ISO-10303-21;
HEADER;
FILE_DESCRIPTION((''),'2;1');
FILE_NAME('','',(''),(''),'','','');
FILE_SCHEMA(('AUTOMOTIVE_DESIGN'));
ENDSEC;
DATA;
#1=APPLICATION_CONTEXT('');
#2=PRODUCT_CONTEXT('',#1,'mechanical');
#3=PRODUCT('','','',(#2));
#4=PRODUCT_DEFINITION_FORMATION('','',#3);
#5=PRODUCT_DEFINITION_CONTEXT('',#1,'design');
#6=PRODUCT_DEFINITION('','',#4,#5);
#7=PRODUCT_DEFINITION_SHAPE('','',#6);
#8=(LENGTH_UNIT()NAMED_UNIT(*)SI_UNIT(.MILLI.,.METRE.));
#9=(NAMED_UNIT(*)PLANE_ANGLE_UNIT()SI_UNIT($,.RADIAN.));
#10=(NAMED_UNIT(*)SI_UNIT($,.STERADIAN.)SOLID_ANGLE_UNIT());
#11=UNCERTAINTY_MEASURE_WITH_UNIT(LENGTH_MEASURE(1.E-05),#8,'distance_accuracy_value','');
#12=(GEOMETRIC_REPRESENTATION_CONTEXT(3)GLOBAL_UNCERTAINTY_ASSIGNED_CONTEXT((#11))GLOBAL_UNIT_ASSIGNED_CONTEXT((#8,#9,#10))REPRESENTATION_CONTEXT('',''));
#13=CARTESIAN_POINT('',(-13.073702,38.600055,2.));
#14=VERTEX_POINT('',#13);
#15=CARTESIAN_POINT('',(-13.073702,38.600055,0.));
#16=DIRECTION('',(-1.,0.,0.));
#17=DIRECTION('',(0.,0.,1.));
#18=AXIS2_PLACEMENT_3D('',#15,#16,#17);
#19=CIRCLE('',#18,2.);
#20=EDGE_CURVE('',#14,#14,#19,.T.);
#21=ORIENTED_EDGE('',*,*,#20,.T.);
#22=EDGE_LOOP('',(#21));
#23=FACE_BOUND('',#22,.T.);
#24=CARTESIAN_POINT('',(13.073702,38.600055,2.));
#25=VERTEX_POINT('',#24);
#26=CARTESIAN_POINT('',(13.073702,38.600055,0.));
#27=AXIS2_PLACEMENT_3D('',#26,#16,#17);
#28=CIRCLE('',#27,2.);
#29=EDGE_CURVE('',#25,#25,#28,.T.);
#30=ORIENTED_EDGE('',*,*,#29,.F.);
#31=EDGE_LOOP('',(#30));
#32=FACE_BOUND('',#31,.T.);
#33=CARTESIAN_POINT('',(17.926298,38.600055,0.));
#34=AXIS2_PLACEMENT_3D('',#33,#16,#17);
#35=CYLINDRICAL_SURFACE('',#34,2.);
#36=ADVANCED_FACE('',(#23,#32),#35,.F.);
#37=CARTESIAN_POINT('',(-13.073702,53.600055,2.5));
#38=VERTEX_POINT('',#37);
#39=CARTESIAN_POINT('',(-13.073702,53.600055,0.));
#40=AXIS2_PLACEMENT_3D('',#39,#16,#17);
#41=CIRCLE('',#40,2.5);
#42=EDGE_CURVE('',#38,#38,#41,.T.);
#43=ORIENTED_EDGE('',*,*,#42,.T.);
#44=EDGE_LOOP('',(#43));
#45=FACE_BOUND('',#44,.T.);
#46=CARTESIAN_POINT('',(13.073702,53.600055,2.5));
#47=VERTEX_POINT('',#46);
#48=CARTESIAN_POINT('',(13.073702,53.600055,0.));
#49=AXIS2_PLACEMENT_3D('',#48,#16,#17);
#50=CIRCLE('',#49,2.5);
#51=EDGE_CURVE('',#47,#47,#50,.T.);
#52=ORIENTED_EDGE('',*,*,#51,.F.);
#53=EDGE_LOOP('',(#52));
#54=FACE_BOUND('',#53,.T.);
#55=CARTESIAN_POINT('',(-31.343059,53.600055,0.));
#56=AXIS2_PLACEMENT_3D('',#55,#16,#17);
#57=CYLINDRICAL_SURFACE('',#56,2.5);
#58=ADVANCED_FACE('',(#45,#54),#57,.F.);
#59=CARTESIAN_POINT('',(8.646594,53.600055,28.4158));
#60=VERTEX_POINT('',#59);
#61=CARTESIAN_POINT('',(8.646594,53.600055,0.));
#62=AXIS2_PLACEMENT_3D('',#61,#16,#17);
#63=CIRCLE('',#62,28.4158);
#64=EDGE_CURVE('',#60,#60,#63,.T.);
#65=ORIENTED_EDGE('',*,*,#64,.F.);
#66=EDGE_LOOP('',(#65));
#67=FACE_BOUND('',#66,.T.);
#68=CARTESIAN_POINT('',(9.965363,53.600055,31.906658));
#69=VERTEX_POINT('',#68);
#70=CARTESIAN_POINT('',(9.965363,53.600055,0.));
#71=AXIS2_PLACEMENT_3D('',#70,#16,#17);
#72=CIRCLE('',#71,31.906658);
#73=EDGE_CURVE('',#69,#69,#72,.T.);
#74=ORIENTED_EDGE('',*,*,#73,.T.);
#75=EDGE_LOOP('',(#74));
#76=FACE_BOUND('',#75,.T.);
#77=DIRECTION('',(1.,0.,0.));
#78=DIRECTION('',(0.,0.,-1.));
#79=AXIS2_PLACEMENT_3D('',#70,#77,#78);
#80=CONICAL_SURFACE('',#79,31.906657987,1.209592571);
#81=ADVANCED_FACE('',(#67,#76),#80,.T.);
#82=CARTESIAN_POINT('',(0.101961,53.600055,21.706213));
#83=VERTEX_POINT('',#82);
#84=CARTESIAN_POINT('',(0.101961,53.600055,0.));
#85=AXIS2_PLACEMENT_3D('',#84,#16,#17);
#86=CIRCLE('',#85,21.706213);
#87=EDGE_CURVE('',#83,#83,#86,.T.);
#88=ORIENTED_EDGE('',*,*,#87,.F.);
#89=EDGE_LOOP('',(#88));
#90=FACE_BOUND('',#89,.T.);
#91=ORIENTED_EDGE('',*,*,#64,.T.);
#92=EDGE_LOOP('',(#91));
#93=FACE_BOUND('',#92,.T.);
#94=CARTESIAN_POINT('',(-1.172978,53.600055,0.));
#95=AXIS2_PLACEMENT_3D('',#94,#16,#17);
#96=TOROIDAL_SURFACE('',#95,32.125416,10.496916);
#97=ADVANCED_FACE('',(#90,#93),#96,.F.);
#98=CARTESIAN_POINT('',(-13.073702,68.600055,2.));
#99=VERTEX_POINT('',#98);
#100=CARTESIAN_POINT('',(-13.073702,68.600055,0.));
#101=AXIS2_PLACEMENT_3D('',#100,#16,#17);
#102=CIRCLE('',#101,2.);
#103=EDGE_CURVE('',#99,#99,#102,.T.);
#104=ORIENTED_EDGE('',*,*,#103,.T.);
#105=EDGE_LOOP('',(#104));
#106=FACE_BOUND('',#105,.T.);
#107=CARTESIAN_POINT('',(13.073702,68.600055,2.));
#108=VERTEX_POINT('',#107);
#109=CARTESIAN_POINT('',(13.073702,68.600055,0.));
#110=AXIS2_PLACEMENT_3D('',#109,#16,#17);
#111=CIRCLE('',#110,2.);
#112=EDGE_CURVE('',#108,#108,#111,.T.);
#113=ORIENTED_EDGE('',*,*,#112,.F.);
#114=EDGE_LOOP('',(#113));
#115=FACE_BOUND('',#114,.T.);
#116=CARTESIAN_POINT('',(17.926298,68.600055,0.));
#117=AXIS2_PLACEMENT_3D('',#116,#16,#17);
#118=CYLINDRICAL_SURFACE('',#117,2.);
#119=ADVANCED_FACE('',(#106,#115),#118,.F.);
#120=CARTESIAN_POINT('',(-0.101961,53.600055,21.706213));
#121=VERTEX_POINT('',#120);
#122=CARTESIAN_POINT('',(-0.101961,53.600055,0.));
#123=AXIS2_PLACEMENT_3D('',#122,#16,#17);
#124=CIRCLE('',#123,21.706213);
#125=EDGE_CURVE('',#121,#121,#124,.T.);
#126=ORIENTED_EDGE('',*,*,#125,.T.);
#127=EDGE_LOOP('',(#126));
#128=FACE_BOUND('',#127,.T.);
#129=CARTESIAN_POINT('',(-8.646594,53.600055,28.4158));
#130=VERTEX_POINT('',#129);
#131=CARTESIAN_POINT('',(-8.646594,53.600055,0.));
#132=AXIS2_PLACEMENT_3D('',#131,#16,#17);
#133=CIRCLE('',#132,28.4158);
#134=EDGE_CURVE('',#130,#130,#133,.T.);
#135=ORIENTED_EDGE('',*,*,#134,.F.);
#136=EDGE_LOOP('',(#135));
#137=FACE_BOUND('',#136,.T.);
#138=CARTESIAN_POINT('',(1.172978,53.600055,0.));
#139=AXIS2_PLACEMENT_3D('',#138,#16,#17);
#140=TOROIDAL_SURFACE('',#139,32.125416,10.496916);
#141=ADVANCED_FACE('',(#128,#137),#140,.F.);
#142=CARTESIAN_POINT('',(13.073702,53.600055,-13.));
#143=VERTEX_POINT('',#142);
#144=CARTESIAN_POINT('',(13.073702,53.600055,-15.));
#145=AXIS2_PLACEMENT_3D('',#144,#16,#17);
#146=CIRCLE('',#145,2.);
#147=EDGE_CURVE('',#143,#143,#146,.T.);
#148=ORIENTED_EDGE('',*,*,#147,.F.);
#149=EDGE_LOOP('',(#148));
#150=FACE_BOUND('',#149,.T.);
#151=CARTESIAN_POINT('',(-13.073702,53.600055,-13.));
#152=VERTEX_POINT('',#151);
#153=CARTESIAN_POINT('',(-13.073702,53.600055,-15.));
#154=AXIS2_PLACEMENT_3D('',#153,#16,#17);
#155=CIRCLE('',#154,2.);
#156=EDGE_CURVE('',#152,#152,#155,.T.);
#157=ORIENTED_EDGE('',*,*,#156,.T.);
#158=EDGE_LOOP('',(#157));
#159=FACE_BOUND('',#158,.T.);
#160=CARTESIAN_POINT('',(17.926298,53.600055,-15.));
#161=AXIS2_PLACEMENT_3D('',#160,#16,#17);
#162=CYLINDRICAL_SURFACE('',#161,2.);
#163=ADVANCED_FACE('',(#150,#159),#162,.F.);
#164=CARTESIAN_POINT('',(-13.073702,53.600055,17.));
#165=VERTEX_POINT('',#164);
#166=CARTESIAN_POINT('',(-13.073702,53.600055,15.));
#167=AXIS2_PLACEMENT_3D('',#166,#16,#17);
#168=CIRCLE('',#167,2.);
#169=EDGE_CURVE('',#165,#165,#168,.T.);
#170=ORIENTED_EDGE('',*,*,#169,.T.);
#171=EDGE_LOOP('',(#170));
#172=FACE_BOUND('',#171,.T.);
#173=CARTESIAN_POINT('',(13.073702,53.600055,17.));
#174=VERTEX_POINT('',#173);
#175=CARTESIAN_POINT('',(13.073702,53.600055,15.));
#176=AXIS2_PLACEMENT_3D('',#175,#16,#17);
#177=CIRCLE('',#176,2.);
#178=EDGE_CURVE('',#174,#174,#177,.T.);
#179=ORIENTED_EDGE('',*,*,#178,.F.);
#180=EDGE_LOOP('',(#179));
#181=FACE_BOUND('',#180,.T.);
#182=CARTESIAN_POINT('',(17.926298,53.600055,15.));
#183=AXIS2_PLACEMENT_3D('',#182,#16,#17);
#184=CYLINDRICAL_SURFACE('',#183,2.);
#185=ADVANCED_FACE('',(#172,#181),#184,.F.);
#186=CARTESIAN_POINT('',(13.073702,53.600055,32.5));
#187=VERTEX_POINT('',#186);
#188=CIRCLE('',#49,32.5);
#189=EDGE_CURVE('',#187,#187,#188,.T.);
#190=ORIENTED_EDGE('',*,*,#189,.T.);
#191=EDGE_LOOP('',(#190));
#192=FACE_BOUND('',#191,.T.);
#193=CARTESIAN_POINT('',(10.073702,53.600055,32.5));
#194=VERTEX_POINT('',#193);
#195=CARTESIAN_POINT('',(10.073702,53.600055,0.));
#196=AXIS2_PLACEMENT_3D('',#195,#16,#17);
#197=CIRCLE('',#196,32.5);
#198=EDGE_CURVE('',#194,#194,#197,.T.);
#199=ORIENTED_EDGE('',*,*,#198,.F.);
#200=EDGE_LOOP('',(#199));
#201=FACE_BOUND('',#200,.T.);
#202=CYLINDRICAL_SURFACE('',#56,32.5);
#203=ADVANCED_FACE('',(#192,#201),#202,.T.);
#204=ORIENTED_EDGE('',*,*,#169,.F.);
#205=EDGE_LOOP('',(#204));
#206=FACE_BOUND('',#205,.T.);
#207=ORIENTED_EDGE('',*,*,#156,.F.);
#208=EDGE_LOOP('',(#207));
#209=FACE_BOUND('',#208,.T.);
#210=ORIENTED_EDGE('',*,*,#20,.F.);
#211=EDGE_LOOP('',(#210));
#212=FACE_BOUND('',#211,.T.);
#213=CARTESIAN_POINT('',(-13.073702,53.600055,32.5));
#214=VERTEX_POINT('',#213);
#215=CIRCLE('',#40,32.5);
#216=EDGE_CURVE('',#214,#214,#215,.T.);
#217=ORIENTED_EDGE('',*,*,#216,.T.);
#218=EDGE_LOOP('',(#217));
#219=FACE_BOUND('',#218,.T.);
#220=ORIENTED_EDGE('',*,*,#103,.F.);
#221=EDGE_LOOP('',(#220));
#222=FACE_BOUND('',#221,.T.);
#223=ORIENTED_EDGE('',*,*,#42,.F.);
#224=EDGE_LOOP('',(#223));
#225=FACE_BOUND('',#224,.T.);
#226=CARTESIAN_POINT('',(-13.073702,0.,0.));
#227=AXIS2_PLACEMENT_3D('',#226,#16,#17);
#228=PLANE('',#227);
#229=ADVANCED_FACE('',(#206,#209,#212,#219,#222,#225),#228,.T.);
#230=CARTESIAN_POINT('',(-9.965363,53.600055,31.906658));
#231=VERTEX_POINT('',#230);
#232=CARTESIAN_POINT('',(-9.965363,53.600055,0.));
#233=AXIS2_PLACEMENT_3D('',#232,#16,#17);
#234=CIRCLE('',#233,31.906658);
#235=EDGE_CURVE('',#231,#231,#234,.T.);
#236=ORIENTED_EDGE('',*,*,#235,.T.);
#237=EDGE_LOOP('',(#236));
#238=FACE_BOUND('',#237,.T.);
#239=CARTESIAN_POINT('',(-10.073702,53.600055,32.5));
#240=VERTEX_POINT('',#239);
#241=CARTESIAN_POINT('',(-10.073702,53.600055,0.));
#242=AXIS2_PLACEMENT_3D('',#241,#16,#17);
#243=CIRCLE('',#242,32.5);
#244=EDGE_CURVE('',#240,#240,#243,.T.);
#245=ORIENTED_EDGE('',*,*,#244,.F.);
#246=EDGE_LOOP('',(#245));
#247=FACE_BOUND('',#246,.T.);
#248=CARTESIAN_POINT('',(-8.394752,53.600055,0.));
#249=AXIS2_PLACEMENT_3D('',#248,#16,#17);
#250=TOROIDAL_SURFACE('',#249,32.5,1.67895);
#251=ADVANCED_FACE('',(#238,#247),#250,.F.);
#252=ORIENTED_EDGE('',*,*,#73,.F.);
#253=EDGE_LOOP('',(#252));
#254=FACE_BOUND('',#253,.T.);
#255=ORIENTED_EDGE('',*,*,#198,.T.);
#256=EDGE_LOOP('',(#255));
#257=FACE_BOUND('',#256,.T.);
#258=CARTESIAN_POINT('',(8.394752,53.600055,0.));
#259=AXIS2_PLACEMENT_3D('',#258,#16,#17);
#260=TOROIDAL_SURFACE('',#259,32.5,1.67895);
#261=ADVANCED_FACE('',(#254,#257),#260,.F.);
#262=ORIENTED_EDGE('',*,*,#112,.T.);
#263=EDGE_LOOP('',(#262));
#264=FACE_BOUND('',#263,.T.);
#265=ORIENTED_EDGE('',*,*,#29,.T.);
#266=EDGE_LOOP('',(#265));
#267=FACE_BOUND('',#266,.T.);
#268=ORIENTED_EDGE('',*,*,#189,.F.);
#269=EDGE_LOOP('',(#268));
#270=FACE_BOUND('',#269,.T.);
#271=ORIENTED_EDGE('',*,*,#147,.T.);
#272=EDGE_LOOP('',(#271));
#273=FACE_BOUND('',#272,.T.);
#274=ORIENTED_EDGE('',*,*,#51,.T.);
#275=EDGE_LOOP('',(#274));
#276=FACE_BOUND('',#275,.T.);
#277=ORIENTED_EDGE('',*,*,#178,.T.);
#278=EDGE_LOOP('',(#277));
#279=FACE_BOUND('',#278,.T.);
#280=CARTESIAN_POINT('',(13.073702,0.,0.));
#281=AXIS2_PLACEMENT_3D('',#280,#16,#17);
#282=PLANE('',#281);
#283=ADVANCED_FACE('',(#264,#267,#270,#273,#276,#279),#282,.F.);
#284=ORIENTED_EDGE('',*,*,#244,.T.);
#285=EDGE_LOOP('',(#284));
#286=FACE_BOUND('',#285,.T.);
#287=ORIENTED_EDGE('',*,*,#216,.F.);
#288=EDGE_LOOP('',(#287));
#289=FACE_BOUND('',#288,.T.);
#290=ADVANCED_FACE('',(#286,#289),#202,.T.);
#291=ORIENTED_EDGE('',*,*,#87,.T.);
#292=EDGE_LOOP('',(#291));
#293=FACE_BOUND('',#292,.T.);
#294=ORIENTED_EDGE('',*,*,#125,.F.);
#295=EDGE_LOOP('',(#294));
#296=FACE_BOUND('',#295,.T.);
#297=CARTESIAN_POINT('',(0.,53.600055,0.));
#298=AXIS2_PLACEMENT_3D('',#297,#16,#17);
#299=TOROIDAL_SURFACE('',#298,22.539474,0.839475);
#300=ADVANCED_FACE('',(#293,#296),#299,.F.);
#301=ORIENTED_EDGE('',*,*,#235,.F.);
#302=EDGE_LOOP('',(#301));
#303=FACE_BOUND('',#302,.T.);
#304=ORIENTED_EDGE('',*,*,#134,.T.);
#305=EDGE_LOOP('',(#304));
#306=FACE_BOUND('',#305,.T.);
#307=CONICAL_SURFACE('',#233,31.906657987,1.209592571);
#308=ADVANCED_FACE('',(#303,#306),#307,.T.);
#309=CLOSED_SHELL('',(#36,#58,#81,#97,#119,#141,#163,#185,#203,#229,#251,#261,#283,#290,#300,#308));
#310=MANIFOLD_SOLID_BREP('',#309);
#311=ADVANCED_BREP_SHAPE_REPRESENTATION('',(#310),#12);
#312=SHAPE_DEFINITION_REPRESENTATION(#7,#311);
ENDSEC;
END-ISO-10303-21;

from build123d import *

# Parameters (mm, degrees)
SKETCH1_W          = 3
SKETCH1_H          = 30
SKETCH2_R          = 2
CUT_EXTRUDE1_DEPTH = 31


with BuildPart() as part:
    # Sketch1 → Revolve1 (revolve)
    with BuildSketch(Plane.XY):
        with BuildLine():
            ThreePointArc((0.101961368, 31.893841841), (0, 31.900056883), (-0.101961368, 31.893841841))
            ThreePointArc((-0.101961368, 31.893841841), (-5.309821172, 29.73045951), (-8.646594366, 25.184255434))
            Line((-8.646594366, 25.184255434), (-9.965363022, 21.693397226))
            ThreePointArc((-9.965363022, 21.693397226), (-10.046395323, 21.401631123), (-10.073702174, 21.100055213))
            Line((-10.073702174, 21.100055213), (-10.073702174, 51.100055213))
            Line((-10.073702174, 51.100055213), (10.073702174, 51.100055213))
            Line((10.073702174, 51.100055213), (10.073702174, 21.100055213))
            ThreePointArc((10.073702174, 21.100055213), (10.046395323, 21.401631123), (9.965363022, 21.693397226))
            Line((9.965363022, 21.693397226), (8.646594366, 25.184255434))
            ThreePointArc((8.646594366, 25.184255434), (5.309821172, 29.73045951), (0.101961368, 31.893841841))
        make_face()
        with Locations((-11.573702174, 36.100055213)):
            Rectangle(SKETCH1_W, SKETCH1_H)
        with Locations((11.573702174, 36.100055213)):
            Rectangle(SKETCH1_W, SKETCH1_H)
    revolve(axis=Axis((-31.343058989, 53.600055213, 0), (1, 0, 0)))

    # Sketch2 → Cut-Extrude1 (cut)
    with BuildSketch(Plane.ZY.offset(13.073702174)):
        with Locations((0, 68.600055213)):
            Circle(SKETCH2_R)
        with Locations((15, 53.600055213)):
            Circle(SKETCH2_R)
        with Locations((0, 38.600055213)):
            Circle(SKETCH2_R)
        with Locations((-15, 53.600055213)):
            Circle(SKETCH2_R)
    extrude(amount=-CUT_EXTRUDE1_DEPTH, mode=Mode.SUBTRACT)


solid = part.part
